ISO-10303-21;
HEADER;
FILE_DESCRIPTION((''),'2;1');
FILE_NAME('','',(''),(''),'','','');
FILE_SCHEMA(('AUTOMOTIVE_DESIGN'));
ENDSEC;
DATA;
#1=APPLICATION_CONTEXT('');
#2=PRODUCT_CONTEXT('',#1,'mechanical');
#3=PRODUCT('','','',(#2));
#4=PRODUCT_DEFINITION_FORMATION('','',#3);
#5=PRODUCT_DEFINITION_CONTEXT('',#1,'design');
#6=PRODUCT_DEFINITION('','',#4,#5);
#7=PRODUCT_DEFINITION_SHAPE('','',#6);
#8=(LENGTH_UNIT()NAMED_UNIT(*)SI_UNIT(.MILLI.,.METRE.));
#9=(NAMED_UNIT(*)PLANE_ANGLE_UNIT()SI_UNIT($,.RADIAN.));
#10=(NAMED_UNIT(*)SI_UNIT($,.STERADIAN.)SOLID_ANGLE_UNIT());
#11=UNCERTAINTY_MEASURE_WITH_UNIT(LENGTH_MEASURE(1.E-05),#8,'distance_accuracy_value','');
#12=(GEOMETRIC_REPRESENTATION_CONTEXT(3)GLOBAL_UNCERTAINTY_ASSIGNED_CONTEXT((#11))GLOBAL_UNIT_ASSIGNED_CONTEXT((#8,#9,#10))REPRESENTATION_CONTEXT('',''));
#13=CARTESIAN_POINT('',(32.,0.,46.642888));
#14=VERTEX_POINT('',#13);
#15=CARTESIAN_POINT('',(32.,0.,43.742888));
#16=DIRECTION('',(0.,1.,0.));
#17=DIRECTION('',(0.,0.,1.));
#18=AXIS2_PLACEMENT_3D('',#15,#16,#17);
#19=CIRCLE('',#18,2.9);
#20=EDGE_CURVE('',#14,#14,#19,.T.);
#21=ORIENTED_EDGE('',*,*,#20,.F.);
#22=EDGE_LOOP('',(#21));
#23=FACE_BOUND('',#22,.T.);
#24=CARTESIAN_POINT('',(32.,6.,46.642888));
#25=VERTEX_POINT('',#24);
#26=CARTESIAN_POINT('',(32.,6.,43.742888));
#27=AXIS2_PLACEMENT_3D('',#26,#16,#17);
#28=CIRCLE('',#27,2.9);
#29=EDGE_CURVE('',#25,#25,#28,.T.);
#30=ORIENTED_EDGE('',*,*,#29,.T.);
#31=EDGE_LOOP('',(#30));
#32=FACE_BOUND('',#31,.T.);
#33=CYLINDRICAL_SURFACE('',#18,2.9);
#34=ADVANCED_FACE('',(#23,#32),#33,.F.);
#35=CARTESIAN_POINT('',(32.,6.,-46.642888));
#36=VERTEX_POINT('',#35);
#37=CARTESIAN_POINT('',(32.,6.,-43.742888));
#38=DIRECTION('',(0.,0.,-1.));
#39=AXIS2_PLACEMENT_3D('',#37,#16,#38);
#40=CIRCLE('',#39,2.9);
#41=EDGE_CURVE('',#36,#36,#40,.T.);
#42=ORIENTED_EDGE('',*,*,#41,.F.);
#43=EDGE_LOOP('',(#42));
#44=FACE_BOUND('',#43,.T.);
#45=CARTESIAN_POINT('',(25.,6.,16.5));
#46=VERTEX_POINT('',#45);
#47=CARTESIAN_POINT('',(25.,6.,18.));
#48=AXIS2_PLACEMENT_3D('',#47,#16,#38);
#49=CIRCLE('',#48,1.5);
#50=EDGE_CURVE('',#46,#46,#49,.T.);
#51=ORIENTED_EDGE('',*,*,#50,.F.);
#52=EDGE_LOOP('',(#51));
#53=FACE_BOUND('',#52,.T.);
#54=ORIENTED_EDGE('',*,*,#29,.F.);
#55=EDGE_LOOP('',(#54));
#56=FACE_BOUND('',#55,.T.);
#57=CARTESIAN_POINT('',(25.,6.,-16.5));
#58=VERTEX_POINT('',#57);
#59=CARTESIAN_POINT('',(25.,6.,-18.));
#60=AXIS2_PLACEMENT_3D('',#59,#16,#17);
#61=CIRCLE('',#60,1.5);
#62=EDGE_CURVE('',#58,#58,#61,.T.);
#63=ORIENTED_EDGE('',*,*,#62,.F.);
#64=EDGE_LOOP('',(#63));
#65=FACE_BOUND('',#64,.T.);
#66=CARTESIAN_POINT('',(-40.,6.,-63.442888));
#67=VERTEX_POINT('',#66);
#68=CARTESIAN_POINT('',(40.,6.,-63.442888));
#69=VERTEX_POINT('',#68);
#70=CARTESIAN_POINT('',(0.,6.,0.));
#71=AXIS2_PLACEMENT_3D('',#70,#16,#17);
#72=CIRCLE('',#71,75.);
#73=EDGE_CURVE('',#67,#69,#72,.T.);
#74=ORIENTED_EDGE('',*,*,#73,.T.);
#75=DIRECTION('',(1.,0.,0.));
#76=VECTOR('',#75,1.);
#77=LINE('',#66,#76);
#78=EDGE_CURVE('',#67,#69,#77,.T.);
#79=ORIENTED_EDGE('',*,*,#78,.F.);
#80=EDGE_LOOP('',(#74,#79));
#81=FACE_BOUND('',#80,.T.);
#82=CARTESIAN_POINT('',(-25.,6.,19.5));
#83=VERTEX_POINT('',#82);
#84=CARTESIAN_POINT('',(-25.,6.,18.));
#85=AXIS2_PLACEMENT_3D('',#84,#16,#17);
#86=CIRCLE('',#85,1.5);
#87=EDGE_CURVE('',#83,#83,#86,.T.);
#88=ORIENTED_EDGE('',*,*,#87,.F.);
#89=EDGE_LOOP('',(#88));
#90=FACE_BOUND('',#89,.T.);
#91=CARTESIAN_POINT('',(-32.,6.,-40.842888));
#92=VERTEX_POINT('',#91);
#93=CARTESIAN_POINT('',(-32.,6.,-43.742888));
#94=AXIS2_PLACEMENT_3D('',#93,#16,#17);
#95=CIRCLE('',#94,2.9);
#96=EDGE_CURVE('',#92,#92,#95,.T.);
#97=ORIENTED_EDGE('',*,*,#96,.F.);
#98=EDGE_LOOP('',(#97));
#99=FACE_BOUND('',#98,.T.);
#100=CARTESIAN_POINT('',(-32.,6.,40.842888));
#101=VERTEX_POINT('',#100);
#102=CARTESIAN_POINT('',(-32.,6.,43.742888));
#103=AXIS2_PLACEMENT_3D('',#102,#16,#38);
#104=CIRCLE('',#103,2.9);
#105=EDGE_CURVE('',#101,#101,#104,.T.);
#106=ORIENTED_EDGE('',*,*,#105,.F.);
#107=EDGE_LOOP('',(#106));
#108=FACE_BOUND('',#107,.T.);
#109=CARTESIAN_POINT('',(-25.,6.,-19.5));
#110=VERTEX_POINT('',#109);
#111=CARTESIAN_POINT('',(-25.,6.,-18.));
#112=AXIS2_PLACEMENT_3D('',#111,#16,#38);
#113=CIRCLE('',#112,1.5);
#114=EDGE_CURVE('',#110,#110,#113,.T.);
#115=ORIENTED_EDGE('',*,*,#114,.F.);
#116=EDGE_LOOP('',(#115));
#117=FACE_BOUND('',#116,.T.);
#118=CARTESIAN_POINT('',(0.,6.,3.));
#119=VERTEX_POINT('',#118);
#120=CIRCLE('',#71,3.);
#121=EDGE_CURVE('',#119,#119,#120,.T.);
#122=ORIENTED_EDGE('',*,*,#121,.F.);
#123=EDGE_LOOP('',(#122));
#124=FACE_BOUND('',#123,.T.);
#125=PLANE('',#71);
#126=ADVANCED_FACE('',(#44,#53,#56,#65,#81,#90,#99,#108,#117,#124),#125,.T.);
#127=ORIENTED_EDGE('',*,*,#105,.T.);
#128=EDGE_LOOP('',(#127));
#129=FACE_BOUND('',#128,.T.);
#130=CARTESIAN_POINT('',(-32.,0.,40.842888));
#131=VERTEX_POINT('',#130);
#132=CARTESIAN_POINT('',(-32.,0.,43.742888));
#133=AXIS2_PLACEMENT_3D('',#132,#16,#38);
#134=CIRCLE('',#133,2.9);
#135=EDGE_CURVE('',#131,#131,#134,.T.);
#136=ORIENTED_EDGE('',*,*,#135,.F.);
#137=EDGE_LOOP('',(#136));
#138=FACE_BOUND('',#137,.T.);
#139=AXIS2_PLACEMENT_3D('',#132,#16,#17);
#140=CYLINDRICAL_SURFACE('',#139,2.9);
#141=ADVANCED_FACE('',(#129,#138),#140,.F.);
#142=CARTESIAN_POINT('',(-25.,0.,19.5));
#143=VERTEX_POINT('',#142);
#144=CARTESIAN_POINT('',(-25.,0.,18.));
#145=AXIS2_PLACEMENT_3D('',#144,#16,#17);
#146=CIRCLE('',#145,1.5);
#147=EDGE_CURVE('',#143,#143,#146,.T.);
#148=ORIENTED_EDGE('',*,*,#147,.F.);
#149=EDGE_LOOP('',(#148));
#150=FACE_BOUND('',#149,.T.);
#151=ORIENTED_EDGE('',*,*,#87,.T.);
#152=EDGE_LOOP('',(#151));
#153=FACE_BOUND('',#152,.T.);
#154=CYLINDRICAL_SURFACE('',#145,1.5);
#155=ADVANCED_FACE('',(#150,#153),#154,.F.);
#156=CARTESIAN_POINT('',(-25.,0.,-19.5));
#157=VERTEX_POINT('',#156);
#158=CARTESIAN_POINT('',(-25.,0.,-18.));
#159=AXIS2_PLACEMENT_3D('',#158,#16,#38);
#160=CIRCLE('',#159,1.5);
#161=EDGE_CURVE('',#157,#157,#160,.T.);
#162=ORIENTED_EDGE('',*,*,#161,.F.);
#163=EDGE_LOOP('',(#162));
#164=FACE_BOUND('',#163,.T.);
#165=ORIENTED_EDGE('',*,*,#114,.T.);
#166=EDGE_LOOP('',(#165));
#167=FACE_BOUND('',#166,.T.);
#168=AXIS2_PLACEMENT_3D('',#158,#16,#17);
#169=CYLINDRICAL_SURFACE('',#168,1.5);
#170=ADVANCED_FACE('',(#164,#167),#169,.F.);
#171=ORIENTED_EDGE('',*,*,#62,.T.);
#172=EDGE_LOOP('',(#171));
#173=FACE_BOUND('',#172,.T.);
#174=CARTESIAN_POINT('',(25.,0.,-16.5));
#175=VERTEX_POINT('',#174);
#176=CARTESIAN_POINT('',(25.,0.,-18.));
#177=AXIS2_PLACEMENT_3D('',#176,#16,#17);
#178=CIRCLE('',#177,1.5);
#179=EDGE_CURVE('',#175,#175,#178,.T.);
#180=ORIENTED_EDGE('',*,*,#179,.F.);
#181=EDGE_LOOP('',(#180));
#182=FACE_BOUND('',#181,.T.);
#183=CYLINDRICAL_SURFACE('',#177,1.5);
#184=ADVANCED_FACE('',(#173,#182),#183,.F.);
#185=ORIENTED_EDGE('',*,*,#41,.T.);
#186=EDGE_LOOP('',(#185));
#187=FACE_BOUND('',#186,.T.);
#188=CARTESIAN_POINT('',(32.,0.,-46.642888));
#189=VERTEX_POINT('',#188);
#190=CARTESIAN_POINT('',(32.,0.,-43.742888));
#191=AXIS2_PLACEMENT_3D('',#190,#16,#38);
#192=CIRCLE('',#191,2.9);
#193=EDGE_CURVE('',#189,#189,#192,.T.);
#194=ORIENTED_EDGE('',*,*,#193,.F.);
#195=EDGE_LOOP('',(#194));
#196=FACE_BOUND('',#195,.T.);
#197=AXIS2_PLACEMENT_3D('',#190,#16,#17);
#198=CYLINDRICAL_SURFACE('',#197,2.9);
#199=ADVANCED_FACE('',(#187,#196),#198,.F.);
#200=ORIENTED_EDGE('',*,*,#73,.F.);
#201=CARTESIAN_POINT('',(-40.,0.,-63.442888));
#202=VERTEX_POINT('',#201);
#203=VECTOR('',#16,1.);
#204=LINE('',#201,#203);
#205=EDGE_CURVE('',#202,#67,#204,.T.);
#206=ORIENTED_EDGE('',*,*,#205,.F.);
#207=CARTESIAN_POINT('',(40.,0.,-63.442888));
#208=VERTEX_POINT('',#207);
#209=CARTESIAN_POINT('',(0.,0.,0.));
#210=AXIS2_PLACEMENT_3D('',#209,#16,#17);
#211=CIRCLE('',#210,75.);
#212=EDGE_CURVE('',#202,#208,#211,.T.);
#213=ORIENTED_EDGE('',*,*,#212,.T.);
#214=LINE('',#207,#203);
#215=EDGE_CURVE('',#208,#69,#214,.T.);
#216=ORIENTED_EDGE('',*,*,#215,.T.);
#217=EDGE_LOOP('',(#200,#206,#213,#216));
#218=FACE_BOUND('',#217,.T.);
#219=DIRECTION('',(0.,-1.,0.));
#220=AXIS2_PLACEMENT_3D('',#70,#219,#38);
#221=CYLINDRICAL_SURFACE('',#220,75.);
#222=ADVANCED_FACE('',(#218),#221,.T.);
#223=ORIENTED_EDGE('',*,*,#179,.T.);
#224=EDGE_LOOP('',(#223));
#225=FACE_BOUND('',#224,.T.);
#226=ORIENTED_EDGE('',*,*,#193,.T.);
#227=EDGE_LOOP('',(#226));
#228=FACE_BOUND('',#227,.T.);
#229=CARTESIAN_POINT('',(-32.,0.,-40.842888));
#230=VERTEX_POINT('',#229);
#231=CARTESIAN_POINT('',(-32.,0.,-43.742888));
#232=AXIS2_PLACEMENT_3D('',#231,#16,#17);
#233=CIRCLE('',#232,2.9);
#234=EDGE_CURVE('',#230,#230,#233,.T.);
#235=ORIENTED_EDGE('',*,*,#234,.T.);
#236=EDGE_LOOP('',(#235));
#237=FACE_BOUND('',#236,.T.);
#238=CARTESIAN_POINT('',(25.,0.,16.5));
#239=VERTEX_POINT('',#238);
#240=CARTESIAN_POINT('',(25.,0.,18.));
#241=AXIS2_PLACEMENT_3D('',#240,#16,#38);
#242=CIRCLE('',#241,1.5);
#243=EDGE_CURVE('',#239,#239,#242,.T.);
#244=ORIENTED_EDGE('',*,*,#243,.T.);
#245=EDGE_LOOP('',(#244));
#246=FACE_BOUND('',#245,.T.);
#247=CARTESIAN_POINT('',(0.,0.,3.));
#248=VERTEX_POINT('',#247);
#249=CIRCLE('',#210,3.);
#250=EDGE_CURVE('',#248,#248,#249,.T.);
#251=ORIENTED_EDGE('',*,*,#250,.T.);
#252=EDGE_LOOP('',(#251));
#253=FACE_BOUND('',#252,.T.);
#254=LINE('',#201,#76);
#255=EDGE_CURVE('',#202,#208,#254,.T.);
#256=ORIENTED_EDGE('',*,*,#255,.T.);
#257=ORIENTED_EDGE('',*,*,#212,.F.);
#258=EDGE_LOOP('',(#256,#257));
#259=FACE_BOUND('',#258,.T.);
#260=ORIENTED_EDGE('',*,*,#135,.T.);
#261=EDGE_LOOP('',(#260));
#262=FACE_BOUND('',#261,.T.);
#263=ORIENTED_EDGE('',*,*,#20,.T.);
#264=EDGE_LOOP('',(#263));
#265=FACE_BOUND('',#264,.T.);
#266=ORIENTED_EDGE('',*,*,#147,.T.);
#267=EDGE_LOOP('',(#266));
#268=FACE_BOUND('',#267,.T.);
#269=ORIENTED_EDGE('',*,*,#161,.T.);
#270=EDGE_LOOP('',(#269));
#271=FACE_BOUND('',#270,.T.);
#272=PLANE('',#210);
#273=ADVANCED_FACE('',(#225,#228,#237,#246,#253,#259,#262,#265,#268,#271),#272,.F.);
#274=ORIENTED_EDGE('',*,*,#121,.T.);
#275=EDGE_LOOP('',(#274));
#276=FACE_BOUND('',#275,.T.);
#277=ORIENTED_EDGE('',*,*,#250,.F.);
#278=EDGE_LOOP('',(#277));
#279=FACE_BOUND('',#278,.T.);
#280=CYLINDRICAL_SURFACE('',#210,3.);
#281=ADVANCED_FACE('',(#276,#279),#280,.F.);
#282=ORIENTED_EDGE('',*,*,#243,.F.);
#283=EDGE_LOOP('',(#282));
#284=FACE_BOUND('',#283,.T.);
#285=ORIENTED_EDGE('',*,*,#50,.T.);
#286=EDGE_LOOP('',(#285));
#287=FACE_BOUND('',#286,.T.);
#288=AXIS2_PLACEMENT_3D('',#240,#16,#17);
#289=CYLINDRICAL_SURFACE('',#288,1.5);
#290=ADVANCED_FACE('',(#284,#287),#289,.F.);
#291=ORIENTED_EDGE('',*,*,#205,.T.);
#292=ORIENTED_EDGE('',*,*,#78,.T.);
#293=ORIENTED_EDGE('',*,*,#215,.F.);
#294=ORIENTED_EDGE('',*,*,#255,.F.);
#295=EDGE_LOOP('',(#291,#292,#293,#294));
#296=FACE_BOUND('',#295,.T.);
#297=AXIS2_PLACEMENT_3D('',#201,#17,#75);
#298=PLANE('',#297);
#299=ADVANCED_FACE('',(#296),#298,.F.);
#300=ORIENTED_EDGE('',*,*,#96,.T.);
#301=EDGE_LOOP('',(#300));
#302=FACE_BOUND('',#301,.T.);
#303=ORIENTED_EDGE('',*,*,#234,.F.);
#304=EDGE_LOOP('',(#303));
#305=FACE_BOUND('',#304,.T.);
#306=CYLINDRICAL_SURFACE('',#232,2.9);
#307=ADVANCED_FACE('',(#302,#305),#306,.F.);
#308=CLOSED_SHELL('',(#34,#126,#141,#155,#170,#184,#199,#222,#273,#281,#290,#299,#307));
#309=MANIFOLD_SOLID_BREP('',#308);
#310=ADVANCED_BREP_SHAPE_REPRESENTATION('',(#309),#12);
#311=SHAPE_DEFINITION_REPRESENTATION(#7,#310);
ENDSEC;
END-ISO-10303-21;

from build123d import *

# Parameters (mm, degrees)
SKETCH1_R           = 75
BOSS_EXTRUDE1_DEPTH = 6
SKETCH2_R           = 2.9
SKETCH2_R_2         = 3
SKETCH2_R_3         = 1.5
SKETCH2_W           = 80
SKETCH2_H           = 23.30375559
CUT_EXTRUDE1_DEPTH  = 6


with BuildPart() as part:
    # Sketch1 → Boss-Extrude1 (new body)
    with BuildSketch(Plane(origin=(0, 0, 0), x_dir=(1, 0, 0), z_dir=(0, 1, 0))):
        Circle(SKETCH1_R)
    extrude(amount=BOSS_EXTRUDE1_DEPTH)

    # Sketch2 → Cut-Extrude1 (cut)
    with BuildSketch(Plane(origin=(0, 6, 0), x_dir=(1, 0, 0), z_dir=(0, 1, 0))):
        with Locations((-32, 43.742887702)):
            Circle(SKETCH2_R)
        with Locations((32, 43.742887702)):
            Circle(SKETCH2_R)
        Circle(SKETCH2_R_2)
        with Locations((-32, -43.742887702)):
            Circle(SKETCH2_R)
        with Locations((32, -43.742887702)):
            Circle(SKETCH2_R)
        with Locations((25, 18)):
            Circle(SKETCH2_R_3)
        with Locations((-25, 18)):
            Circle(SKETCH2_R_3)
        with Locations((-25, -18)):
            Circle(SKETCH2_R_3)
        with Locations((25, -18)):
            Circle(SKETCH2_R_3)
        with Locations((0, 75.094765497)):
            Rectangle(SKETCH2_W, SKETCH2_H)
    extrude(amount=-CUT_EXTRUDE1_DEPTH, mode=Mode.SUBTRACT)


solid = part.part
